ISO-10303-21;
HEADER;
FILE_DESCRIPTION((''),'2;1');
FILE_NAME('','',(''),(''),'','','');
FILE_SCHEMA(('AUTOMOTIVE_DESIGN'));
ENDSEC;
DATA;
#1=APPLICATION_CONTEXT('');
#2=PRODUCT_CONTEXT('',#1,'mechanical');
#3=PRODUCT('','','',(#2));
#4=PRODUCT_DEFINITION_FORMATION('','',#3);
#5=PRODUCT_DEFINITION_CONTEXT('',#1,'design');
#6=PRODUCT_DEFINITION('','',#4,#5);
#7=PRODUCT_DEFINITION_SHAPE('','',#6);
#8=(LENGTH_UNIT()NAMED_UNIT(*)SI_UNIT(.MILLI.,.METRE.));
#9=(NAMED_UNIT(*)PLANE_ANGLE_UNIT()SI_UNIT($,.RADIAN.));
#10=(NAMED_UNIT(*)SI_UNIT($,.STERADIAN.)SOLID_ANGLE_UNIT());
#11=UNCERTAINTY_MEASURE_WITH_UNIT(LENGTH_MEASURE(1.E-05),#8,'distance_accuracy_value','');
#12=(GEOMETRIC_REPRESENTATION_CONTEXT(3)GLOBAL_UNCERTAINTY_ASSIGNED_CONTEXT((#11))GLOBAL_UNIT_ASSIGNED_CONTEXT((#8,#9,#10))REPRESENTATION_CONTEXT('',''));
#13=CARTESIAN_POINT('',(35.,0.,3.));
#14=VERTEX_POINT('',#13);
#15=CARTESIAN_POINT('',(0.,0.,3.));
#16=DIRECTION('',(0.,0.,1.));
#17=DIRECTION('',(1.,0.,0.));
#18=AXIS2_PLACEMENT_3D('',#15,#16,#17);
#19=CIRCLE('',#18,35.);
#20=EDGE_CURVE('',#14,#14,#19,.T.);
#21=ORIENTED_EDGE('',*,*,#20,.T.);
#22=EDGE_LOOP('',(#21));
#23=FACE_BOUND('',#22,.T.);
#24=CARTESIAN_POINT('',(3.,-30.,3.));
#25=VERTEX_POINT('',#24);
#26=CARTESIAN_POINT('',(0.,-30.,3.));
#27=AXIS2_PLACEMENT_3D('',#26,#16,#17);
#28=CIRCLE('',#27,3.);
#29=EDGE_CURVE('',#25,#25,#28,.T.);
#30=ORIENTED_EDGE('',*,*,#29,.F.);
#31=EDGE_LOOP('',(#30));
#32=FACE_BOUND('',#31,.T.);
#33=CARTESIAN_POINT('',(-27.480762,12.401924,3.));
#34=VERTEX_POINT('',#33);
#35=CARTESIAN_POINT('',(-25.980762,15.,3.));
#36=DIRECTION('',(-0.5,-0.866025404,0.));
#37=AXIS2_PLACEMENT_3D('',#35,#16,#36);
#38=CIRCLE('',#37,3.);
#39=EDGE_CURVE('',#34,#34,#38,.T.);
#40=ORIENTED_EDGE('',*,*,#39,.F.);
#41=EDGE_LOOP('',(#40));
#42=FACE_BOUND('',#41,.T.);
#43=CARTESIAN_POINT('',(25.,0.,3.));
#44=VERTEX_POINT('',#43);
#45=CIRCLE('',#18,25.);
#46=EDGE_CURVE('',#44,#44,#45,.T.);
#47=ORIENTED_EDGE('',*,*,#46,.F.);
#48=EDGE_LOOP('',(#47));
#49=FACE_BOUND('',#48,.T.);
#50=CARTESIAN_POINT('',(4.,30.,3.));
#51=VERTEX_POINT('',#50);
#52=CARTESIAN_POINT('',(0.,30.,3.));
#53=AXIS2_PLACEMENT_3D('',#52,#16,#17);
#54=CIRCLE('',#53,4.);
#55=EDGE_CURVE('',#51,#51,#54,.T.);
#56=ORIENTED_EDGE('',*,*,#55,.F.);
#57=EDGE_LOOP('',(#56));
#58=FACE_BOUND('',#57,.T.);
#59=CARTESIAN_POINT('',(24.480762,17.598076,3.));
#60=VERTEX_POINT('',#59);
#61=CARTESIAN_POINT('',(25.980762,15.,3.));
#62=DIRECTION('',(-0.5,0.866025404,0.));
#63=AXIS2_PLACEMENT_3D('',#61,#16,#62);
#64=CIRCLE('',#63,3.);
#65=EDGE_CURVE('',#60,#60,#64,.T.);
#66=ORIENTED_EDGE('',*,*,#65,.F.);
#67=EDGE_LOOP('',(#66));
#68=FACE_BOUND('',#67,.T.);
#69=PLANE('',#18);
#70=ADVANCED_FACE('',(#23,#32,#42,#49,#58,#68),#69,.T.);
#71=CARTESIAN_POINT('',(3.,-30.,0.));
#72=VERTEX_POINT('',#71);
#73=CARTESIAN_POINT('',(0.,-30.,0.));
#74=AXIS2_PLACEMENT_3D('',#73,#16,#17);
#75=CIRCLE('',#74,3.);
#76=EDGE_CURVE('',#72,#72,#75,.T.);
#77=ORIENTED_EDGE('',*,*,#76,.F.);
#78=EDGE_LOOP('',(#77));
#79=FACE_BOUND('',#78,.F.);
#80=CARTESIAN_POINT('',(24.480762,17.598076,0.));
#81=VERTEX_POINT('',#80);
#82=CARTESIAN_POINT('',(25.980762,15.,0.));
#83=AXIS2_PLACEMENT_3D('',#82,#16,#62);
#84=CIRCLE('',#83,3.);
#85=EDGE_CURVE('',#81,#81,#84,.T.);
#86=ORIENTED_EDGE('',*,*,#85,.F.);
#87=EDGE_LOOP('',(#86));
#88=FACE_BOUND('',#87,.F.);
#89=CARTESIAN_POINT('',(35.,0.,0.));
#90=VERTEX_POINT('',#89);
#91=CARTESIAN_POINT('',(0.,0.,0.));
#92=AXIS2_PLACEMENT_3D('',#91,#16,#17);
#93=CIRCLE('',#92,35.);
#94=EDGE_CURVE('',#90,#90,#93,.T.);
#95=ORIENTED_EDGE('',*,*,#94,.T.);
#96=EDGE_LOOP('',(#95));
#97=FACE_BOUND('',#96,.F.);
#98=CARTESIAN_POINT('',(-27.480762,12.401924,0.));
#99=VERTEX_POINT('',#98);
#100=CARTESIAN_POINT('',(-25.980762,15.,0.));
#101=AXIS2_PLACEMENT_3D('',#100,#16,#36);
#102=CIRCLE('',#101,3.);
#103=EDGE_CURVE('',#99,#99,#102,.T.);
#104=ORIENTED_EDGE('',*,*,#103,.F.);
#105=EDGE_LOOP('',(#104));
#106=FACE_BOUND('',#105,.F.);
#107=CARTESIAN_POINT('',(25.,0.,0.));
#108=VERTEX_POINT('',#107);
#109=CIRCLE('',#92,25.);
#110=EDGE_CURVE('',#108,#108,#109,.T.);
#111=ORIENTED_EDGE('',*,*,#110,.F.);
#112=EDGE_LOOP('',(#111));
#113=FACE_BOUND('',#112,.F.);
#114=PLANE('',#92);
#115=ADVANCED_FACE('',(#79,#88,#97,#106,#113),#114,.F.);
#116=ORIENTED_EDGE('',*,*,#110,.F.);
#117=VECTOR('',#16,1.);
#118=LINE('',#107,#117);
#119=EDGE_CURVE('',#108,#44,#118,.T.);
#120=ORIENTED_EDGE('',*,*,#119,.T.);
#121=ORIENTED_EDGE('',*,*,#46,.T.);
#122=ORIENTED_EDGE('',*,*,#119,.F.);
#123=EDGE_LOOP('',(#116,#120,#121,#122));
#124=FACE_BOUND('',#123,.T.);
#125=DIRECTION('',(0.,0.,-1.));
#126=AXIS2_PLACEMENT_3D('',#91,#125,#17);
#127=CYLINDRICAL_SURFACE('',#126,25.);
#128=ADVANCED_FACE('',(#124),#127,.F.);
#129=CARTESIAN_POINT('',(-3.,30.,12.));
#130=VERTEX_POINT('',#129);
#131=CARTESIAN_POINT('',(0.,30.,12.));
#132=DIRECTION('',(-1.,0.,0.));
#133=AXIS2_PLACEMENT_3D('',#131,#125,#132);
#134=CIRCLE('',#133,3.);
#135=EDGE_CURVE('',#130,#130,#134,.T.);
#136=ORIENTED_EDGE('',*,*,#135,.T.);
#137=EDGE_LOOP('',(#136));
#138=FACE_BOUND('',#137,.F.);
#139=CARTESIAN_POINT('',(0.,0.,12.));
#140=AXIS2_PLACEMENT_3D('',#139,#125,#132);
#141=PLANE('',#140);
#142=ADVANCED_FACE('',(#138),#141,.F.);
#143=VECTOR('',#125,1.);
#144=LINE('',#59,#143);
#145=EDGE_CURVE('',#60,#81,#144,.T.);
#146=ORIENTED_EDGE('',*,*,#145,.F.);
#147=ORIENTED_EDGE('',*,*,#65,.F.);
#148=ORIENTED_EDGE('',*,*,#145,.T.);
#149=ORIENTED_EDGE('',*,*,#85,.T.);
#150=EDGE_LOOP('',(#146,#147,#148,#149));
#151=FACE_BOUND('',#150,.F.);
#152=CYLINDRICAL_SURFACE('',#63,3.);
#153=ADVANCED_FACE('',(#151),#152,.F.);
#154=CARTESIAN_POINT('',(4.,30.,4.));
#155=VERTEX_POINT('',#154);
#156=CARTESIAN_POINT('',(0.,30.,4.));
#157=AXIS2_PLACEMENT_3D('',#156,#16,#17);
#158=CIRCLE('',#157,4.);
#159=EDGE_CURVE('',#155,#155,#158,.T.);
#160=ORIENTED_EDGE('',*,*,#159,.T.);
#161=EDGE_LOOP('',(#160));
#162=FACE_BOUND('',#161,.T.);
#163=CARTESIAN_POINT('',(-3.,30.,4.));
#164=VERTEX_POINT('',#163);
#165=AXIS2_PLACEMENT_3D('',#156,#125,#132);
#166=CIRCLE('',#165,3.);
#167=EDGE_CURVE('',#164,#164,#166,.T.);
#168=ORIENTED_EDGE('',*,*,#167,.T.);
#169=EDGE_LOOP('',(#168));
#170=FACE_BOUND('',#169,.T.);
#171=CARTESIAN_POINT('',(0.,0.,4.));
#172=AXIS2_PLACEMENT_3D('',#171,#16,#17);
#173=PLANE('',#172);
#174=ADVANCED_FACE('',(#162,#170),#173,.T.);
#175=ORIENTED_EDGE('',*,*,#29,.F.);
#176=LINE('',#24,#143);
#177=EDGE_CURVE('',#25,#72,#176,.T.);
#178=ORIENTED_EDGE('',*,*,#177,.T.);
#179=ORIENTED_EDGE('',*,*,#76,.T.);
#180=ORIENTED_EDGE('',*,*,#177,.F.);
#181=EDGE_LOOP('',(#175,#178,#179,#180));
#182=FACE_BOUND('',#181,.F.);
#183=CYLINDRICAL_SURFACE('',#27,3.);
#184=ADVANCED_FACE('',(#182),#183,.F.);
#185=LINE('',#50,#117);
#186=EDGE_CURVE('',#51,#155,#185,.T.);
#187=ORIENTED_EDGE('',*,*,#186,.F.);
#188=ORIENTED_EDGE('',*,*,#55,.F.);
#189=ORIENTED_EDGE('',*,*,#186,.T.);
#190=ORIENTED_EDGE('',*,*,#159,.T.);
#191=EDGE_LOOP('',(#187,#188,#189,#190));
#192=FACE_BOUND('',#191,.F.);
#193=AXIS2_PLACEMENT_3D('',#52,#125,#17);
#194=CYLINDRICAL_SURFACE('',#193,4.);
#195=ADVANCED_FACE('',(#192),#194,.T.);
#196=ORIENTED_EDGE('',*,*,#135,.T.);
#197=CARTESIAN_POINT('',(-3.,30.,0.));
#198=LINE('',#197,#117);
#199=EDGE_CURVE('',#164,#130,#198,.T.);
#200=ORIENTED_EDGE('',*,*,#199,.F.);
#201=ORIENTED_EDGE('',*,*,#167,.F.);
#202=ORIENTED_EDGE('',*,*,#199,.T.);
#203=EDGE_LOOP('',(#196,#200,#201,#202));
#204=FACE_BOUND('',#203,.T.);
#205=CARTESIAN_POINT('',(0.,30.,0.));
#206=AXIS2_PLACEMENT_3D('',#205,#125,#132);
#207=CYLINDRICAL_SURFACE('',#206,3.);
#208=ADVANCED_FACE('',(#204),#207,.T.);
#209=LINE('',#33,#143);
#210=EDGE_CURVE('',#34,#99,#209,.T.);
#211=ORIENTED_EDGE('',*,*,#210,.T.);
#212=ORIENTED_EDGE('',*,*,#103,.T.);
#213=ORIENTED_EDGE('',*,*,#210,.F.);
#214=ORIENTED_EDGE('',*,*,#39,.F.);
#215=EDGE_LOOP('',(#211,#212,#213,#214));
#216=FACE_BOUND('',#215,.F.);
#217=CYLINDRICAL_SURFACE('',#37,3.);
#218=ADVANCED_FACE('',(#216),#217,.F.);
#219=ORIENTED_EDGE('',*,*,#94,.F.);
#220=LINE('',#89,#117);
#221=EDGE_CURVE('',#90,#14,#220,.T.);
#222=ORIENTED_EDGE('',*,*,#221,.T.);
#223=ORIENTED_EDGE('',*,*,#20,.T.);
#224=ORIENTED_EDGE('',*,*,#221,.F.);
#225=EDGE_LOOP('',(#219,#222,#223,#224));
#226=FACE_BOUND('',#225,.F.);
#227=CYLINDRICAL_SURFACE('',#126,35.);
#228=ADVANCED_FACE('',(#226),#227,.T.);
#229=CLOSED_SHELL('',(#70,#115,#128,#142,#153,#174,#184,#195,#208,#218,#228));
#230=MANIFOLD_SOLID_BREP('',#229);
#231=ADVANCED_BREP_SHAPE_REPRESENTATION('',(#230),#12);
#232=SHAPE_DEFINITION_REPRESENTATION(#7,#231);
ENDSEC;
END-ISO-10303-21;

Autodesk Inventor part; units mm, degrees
ref_plane "YZ Plane" through (0, 0, 0) normal (1, 0, 0) x (0, 1, 0)
ref_plane "XZ Plane" through (0, 0, 0) normal (0, 1, 0) x (-1, 0, 0)
ref_plane "XY Plane" through (0, 0, 0) normal (0, 0, 1) x (1, 0, 0)
sketch "Sketch1" plane through (0, 0, 0) normal (0, 0, 1) x (1, 0, 0)
  circle A0 centre (0, 0) radius 30 construction
  line L0 (0, 0) -> (0, 7.5) construction
  line L1 (0, 7.5) -> (10, 7.5) construction
  line L2 (10, 7.5) -> (10, 0) construction
  line L3 (10, 0) -> (0, 0) construction
  line L4 (0, 0) -> (-10, 0) construction
  line L5 (-10, 0) -> (-10, 7.5) construction
  line L6 (-10, 7.5) -> (0, 7.5) construction
  line L7 (-10, 0) -> (-10, -7.5) construction
  line L8 (-10, -7.5) -> (10, -7.5) construction
  line L9 (10, -7.5) -> (10, 0) construction
  circle A1 centre (-15.5891, 25.6316) radius 10 construction
  circle A2 centre (0, 0) radius 35
  circle A3 centre (0, 0) radius 25
  line L10 (0, 0) -> (-31.8198, 31.8198) construction
  circle A4 centre (0, 0) radius 45 construction
  line L11 (0, 0) -> (0, 45) construction
  circle A5 centre (0, 0) radius 40 construction
  circle A6 centre (-40, 0) radius 5 construction
  circle A7 centre (-31.8198, 31.8198) radius 10 construction
  line L12 (-31.8198, 31.8198) -> (-31.8198, -24.2384) construction
  line L13 (-31.8198, -24.2384) -> (-31.8198, -31.8198) construction
  circle A8 centre (-31.8198, -31.8198) radius 10 construction
  line L14 (-15, -20) -> (-15, -31.6228) construction
  line L15 (15, -20) -> (15, -31.6228) construction
  line L16 (-31.8198, 31.8198) -> (24.2384, 31.8198) construction
  line L17 (24.2384, 31.8198) -> (31.8198, 31.8198) construction
  line L18 (31.8198, 31.8198) -> (31.8198, -31.8198) construction
  line L19 (31.8198, -31.8198) -> (-31.8198, -31.8198) construction
  circle A9 centre (31.8198, 31.8198) radius 10 construction
  circle A10 centre (31.8198, -31.8198) radius 10 construction
  circle A11 centre (0, 40) radius 5 construction
  line L20 (0, 0) -> (40, 0) construction
  line L21 (0, 0) -> (0, -40) construction
  circle A12 centre (40, 0) radius 5 construction
  circle A13 centre (0, -40) radius 5 construction
  line L22 (50, 50) -> (50, -50) construction
  line L23 (50, -50) -> (-50, -50) construction
  line L24 (-50, -50) -> (-50, 50) construction
  line L25 (-50, 50) -> (50, 50) construction
  circle A14 centre (0, 30) radius 3
  point P0 (0, 50)
  dimension "d9" = 80
  dimension "d0" = 60
  dimension "d1" = 20
  dimension "d2" = 15
  dimension "d3" = 20
  dimension "d4" = 5
  dimension "d5" = 5
  dimension "d6" = 90
  dimension "d7" = 45
  dimension "d10" = 10
  dimension "d12" = 20
  dimension "d13" = 15
  dimension "d14" = 100
  dimension "d15" = 6
extrude "Extrusion1" add sketch "Sketch1" along normal blind 3
sketch "Sketch2" plane through (0, 0, 0) normal (0, 0, -1) x (-1, 0, 0)
  circle A0 centre (0, 30) radius 3 projected
extrude "Extrusion2" add sketch "Sketch2" against normal blind 12
sketch "Sketch3" plane through (0, 0, 3) normal (0, 0, 1) x (1, 0, 0)
  circle A0 centre (0, 30) radius 3 projected
  circle A1 centre (0, 30) radius 4
  dimension "d20" = 8
extrude "Extrusion3" add sketch "Sketch3" along normal blind 1
sketch "Sketch4" plane through (0, 0, 3) normal (0, 0, 1) x (1, 0, 0)
  circle A0 centre (0, 0) radius 25 projected
  circle A1 centre (0, 0) radius 35 projected
  line L0 (0, 0) -> (0, -25) construction
  line L1 (0, -25) -> (0, -35) construction
  circle A2 centre (0, -30) radius 3
  dimension "d23" = 6
extrude "Extrusion4" cut sketch "Sketch4" against normal blind 10 contours A2
pattern_circular "Circular Pattern1" count 3 over 360 about axis through (0, 0, -10) along (0, 0, 1) of "Extrusion4"
properties part number "Ring1"
